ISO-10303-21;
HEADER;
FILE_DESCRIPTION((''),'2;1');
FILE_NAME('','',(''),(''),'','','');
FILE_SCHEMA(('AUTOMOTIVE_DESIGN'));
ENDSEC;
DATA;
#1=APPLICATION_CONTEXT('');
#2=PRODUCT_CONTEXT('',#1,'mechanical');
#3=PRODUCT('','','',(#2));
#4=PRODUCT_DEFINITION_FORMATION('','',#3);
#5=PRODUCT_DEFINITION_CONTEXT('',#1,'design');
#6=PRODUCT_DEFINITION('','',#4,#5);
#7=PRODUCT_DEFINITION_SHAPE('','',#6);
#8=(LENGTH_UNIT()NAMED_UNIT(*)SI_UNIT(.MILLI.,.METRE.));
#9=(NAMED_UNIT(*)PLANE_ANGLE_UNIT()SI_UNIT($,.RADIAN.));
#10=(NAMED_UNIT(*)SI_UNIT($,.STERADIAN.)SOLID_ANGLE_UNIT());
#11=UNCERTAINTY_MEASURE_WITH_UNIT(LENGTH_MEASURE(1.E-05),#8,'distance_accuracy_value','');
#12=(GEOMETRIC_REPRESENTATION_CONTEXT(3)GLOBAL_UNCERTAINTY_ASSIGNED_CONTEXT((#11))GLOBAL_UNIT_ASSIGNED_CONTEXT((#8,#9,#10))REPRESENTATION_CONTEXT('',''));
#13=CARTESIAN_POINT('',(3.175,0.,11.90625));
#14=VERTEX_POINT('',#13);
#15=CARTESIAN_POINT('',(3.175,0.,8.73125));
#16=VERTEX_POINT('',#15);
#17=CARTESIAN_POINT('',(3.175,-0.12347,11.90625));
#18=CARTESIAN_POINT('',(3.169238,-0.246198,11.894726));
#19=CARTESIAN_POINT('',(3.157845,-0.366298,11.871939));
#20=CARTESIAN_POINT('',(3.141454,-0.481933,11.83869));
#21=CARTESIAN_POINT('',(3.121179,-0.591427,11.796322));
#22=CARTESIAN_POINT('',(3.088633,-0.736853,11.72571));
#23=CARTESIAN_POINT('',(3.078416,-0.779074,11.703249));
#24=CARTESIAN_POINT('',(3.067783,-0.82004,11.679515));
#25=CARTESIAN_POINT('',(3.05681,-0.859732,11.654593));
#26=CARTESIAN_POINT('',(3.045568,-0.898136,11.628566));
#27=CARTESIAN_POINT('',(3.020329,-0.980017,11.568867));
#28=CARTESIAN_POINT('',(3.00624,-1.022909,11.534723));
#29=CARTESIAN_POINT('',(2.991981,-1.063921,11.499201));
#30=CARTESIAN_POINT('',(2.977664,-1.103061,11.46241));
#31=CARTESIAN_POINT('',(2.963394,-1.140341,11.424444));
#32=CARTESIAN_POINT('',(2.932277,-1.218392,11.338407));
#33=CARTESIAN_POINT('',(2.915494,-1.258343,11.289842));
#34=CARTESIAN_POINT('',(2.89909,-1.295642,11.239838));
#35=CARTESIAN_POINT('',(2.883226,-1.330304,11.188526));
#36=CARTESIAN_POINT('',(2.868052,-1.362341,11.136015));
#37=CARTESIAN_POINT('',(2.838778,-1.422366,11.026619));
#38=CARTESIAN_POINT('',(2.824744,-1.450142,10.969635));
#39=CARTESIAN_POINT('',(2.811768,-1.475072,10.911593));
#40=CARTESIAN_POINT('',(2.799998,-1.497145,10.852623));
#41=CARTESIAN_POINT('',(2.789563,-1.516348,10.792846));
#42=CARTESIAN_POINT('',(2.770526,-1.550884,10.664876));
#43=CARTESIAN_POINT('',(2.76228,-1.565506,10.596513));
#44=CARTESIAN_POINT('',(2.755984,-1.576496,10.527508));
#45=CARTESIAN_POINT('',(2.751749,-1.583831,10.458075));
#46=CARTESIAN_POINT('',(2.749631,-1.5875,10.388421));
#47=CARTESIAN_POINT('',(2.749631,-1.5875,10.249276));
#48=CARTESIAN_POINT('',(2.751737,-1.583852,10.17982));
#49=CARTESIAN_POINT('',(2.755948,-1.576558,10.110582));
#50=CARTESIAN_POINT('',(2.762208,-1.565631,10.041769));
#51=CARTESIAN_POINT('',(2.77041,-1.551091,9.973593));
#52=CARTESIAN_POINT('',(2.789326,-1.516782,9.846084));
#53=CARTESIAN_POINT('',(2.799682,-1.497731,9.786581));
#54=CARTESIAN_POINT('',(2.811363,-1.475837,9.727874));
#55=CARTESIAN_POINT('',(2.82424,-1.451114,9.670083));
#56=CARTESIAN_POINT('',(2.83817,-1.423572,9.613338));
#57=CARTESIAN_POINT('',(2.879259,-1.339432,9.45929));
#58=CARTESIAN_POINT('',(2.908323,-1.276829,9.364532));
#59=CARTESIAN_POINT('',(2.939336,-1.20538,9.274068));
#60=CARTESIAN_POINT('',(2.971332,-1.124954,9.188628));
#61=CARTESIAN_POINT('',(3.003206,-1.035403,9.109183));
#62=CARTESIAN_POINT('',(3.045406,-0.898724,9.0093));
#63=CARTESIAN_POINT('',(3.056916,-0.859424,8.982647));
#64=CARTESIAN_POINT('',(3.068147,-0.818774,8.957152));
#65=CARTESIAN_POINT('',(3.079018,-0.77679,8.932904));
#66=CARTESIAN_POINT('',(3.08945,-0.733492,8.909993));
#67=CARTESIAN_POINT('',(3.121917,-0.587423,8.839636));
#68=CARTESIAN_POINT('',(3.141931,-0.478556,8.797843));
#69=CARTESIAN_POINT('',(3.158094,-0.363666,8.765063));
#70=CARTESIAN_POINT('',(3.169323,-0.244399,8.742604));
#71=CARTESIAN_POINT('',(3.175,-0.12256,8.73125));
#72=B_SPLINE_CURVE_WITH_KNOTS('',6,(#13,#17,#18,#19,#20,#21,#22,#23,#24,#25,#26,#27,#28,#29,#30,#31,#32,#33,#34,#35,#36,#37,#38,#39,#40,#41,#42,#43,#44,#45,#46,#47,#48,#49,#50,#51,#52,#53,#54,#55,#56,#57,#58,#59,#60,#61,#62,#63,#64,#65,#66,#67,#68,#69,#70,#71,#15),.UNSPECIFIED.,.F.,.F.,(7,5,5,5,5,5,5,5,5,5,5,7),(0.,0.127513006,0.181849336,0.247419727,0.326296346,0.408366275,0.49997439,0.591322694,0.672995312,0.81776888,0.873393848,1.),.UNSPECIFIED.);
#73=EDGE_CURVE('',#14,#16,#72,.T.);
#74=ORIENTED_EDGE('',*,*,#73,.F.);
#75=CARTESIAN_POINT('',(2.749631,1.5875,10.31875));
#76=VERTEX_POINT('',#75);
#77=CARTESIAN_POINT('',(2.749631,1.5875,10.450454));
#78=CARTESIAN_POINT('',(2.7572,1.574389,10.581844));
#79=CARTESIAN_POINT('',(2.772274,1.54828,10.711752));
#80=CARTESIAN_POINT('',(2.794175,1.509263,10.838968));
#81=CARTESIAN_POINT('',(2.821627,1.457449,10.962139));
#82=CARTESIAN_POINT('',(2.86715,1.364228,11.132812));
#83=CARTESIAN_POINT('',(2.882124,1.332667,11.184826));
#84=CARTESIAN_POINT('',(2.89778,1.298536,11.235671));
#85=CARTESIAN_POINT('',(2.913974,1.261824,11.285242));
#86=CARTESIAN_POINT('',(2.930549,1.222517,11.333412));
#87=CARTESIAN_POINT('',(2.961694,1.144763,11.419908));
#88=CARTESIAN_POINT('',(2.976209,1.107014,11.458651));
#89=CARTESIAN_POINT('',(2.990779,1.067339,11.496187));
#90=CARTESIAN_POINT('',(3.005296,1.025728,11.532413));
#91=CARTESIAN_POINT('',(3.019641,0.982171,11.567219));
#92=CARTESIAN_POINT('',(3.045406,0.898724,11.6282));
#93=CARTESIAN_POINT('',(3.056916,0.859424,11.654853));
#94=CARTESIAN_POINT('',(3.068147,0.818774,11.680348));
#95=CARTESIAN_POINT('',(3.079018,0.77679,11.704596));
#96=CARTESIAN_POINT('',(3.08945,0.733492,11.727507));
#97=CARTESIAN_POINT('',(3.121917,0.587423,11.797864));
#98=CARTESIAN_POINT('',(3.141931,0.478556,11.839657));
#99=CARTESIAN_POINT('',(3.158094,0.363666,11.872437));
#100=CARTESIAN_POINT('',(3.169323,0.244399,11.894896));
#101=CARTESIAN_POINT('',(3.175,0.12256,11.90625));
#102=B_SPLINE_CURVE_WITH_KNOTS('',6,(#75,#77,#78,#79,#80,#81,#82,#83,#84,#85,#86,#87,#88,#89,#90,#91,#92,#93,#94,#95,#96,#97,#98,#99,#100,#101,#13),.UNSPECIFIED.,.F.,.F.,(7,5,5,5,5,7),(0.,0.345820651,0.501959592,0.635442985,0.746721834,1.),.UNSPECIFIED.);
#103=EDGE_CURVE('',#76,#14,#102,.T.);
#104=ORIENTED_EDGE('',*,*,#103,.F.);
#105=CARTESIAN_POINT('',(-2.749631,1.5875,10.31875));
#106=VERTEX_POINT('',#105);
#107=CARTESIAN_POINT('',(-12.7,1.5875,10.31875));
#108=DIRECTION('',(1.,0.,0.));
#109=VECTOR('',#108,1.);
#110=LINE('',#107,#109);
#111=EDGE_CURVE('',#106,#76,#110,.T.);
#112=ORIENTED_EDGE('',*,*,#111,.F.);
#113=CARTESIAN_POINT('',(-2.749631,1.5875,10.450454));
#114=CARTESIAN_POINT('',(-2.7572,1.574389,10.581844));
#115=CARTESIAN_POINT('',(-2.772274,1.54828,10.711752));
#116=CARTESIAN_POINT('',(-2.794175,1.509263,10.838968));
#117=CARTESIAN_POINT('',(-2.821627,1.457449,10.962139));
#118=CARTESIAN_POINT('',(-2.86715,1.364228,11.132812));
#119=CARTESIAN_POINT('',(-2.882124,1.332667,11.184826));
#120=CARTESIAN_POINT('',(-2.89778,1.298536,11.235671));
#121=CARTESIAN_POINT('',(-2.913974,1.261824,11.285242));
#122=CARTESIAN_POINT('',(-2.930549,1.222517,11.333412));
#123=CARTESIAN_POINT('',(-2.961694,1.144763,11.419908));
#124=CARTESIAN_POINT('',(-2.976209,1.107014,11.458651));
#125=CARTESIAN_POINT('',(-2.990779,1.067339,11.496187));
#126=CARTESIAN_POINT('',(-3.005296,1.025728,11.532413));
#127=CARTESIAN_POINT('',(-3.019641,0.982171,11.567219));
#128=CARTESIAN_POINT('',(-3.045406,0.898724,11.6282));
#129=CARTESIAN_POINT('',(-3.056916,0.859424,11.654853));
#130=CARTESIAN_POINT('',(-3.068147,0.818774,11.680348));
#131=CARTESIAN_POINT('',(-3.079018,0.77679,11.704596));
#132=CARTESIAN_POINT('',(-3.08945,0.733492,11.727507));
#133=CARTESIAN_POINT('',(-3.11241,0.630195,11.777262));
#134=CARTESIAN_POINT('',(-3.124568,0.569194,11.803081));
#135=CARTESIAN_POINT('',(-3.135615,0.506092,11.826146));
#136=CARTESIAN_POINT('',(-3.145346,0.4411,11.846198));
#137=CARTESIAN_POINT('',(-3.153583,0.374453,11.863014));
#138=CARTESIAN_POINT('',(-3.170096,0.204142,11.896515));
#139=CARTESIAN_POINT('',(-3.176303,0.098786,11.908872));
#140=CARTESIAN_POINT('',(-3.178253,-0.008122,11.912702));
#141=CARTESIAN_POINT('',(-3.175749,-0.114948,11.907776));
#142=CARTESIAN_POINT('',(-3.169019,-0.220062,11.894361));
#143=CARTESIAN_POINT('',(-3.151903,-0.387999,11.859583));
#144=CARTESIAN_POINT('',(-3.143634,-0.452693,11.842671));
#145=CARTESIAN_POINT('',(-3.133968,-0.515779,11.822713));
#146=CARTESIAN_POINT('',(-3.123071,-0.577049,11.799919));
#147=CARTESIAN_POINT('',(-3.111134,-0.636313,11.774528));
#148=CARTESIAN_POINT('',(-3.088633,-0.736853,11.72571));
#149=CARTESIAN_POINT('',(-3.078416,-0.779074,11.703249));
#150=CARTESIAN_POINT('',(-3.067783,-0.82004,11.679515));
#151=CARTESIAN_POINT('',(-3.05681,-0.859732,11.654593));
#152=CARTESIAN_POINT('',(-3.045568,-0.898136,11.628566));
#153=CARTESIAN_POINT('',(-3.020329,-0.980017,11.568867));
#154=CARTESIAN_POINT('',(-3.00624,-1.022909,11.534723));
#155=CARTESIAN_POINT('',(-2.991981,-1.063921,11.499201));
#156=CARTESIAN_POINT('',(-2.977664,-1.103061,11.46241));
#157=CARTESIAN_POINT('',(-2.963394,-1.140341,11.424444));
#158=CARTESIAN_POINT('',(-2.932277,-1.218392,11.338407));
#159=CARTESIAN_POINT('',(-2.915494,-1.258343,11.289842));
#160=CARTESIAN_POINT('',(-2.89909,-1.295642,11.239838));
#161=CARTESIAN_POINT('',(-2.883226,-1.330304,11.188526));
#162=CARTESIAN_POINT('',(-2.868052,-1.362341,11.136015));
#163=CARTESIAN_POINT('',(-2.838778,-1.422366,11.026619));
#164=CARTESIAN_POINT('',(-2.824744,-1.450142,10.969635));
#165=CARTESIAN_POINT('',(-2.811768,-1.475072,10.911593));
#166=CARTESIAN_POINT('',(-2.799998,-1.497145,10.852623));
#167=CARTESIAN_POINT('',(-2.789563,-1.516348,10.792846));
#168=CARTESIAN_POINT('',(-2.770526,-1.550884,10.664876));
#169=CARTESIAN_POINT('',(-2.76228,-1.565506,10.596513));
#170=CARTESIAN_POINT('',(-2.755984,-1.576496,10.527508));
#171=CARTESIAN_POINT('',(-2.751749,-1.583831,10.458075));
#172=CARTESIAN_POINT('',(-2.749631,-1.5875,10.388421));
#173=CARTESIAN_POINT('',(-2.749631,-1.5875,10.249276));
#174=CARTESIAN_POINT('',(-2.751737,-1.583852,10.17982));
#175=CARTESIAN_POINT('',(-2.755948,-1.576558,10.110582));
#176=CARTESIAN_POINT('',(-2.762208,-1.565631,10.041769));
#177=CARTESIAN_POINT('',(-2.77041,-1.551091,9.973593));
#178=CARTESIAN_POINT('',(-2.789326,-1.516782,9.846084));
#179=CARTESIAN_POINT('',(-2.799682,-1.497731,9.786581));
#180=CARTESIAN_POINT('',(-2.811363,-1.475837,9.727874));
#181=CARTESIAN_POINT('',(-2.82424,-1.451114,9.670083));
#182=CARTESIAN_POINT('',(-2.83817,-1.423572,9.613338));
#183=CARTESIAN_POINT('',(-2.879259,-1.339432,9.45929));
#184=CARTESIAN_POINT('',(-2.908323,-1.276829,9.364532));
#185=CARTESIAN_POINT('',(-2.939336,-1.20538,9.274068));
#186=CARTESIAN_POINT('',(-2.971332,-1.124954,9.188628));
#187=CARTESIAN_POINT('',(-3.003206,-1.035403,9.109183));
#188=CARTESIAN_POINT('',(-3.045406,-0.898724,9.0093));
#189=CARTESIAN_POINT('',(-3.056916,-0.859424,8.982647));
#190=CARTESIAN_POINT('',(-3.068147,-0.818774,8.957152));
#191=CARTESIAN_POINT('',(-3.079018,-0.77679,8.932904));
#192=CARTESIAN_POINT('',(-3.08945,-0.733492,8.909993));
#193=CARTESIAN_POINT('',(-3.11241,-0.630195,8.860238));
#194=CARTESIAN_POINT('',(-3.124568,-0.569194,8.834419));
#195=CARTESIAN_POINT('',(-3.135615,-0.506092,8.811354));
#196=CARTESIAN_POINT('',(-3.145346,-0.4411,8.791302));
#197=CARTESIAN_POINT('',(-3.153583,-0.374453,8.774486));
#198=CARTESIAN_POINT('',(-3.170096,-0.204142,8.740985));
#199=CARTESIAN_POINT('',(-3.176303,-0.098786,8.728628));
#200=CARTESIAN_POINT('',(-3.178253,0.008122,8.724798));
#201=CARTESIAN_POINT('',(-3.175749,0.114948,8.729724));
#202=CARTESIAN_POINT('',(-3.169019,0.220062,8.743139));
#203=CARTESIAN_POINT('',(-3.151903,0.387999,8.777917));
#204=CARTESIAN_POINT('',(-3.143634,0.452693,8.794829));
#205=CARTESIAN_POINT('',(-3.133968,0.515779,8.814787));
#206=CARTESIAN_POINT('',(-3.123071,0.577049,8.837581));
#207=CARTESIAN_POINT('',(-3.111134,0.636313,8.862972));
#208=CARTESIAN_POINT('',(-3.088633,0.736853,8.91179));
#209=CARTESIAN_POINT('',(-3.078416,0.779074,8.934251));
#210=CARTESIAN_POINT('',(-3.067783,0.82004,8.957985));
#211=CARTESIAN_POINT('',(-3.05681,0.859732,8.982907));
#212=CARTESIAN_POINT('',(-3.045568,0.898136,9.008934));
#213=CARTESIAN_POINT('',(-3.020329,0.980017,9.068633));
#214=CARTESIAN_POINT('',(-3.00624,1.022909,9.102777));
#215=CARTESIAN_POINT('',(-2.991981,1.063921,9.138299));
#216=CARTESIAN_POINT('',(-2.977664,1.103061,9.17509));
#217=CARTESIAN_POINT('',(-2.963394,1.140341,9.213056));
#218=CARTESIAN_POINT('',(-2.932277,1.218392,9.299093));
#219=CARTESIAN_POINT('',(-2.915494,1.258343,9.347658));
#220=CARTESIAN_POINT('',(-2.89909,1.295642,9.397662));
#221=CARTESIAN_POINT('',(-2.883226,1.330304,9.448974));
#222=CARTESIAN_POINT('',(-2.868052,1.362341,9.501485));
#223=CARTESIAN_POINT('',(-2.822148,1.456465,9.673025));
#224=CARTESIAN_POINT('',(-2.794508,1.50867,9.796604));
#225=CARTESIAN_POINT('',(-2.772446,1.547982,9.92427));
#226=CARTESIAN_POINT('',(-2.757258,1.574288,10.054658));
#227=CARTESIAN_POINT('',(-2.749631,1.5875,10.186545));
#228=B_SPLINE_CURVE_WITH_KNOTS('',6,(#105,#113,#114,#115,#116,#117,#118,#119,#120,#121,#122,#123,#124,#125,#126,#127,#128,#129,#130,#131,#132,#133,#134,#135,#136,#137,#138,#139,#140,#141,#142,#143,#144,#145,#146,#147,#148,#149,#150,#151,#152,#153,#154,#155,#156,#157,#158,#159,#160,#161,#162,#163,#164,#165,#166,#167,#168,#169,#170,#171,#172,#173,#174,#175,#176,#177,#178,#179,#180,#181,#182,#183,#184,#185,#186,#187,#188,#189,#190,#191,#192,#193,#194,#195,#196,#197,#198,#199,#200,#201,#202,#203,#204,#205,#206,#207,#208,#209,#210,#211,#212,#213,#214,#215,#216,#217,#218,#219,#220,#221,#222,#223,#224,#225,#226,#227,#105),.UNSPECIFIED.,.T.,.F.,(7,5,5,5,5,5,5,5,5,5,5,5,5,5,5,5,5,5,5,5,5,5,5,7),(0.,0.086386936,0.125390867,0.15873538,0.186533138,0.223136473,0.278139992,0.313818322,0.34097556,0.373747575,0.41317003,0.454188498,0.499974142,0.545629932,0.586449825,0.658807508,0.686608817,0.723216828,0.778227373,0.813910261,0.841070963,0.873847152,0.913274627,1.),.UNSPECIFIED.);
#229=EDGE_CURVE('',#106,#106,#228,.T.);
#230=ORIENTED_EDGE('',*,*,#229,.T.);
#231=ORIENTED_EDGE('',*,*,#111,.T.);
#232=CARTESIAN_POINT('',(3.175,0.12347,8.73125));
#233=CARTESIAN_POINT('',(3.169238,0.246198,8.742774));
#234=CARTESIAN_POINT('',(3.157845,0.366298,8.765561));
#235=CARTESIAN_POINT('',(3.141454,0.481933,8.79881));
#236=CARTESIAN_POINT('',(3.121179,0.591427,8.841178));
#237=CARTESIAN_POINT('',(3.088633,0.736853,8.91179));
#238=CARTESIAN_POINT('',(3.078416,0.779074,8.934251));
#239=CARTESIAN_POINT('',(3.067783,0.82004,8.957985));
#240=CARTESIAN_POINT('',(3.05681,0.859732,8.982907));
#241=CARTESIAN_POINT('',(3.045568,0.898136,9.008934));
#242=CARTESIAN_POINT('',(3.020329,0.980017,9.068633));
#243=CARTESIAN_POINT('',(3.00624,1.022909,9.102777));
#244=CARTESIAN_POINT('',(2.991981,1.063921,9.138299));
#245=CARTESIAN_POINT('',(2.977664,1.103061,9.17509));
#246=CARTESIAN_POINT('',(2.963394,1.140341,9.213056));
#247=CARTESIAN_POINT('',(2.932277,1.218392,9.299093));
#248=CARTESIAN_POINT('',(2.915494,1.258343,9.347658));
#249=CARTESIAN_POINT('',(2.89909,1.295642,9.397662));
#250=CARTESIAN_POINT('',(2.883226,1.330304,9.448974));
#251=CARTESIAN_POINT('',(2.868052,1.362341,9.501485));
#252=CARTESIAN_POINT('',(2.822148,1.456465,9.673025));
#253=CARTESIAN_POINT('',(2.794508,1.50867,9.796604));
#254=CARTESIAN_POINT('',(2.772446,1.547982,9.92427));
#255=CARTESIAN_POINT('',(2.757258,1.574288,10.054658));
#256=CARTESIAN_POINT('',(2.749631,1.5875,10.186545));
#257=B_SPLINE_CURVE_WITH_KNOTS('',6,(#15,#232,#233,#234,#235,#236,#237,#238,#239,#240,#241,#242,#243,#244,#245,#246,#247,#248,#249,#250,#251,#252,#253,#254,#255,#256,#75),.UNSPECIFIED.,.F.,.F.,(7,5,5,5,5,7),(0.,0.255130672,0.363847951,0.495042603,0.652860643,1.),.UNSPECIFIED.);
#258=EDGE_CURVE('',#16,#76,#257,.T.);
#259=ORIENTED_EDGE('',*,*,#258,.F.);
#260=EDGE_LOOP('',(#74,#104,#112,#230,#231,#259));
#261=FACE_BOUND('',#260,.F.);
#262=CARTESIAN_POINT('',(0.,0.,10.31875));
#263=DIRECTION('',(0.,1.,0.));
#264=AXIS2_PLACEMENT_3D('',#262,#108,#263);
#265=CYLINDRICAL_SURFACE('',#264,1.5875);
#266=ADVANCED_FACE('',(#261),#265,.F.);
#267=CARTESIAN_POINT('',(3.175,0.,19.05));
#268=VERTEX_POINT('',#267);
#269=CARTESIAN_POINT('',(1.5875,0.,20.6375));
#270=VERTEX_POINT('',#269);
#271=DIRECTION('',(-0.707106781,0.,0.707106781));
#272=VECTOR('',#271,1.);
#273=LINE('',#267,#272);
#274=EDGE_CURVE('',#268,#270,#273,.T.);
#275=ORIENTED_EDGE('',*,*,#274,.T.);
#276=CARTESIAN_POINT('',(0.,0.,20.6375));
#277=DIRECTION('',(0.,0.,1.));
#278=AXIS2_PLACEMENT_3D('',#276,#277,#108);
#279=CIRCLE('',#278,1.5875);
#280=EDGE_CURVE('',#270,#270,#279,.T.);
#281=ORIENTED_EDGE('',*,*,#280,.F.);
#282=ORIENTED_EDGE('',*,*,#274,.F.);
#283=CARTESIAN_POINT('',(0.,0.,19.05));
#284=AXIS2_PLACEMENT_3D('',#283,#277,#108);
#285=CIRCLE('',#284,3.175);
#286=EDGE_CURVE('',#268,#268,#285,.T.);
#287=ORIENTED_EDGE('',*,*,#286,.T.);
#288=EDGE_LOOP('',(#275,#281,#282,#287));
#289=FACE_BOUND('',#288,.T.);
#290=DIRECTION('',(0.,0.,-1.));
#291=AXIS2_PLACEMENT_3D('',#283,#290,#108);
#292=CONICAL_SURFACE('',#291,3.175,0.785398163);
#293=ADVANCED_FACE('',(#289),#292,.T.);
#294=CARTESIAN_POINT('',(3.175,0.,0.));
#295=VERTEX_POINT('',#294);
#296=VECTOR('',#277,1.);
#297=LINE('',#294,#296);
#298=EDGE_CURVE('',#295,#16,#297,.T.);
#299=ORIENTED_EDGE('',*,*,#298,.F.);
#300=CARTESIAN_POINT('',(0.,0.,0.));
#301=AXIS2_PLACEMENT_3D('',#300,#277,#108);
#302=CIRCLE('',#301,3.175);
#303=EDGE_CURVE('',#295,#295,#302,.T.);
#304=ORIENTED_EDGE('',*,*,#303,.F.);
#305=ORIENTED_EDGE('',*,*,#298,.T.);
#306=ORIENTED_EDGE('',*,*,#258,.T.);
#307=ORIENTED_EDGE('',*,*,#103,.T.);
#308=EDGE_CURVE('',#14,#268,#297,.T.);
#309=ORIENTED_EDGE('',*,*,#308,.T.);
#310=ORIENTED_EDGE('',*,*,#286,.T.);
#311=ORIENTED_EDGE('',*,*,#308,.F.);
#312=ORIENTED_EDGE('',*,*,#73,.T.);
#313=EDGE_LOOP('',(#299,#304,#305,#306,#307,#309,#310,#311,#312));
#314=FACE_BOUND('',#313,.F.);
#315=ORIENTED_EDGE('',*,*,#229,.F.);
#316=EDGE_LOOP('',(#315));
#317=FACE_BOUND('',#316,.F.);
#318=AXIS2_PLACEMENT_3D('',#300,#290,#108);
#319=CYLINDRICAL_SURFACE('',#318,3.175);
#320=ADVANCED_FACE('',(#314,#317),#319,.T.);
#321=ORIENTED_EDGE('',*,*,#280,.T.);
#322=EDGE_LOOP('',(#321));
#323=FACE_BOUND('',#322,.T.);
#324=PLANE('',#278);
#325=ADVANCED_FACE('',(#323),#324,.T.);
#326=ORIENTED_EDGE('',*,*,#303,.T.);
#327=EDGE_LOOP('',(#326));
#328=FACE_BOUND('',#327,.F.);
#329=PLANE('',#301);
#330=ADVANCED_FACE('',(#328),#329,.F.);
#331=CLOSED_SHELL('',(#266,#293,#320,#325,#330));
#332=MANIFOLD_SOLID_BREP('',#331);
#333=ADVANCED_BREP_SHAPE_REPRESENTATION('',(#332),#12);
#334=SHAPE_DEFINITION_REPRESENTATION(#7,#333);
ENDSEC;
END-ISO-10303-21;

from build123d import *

# Parameters (mm, degrees)
F0_R     = 3.175
F1_DEPTH = 20.6375
F2_SIZE  = 1.5875
F3_R     = 1.5875
F4_DEPTH = 12.7


with BuildPart() as f1:
    # F0 (on Top) → F1 (new body)
    with BuildSketch(Plane.XY):
        Circle(F0_R)
    extrude(amount=F1_DEPTH)

    # F2
    f2_edges = [f1.edges().sort_by_distance(p)[0] for p in [
        (-3.175, 0, 20.6375),
    ]]
    chamfer(f2_edges, length=F2_SIZE)

    # F3 (on Right) → F4 (cut, symmetric)
    with BuildSketch(Plane.YZ):
        with Locations((0, 10.31875)):
            Circle(F3_R)
    extrude(amount=F4_DEPTH, both=True, mode=Mode.SUBTRACT)


solid = f1.part
